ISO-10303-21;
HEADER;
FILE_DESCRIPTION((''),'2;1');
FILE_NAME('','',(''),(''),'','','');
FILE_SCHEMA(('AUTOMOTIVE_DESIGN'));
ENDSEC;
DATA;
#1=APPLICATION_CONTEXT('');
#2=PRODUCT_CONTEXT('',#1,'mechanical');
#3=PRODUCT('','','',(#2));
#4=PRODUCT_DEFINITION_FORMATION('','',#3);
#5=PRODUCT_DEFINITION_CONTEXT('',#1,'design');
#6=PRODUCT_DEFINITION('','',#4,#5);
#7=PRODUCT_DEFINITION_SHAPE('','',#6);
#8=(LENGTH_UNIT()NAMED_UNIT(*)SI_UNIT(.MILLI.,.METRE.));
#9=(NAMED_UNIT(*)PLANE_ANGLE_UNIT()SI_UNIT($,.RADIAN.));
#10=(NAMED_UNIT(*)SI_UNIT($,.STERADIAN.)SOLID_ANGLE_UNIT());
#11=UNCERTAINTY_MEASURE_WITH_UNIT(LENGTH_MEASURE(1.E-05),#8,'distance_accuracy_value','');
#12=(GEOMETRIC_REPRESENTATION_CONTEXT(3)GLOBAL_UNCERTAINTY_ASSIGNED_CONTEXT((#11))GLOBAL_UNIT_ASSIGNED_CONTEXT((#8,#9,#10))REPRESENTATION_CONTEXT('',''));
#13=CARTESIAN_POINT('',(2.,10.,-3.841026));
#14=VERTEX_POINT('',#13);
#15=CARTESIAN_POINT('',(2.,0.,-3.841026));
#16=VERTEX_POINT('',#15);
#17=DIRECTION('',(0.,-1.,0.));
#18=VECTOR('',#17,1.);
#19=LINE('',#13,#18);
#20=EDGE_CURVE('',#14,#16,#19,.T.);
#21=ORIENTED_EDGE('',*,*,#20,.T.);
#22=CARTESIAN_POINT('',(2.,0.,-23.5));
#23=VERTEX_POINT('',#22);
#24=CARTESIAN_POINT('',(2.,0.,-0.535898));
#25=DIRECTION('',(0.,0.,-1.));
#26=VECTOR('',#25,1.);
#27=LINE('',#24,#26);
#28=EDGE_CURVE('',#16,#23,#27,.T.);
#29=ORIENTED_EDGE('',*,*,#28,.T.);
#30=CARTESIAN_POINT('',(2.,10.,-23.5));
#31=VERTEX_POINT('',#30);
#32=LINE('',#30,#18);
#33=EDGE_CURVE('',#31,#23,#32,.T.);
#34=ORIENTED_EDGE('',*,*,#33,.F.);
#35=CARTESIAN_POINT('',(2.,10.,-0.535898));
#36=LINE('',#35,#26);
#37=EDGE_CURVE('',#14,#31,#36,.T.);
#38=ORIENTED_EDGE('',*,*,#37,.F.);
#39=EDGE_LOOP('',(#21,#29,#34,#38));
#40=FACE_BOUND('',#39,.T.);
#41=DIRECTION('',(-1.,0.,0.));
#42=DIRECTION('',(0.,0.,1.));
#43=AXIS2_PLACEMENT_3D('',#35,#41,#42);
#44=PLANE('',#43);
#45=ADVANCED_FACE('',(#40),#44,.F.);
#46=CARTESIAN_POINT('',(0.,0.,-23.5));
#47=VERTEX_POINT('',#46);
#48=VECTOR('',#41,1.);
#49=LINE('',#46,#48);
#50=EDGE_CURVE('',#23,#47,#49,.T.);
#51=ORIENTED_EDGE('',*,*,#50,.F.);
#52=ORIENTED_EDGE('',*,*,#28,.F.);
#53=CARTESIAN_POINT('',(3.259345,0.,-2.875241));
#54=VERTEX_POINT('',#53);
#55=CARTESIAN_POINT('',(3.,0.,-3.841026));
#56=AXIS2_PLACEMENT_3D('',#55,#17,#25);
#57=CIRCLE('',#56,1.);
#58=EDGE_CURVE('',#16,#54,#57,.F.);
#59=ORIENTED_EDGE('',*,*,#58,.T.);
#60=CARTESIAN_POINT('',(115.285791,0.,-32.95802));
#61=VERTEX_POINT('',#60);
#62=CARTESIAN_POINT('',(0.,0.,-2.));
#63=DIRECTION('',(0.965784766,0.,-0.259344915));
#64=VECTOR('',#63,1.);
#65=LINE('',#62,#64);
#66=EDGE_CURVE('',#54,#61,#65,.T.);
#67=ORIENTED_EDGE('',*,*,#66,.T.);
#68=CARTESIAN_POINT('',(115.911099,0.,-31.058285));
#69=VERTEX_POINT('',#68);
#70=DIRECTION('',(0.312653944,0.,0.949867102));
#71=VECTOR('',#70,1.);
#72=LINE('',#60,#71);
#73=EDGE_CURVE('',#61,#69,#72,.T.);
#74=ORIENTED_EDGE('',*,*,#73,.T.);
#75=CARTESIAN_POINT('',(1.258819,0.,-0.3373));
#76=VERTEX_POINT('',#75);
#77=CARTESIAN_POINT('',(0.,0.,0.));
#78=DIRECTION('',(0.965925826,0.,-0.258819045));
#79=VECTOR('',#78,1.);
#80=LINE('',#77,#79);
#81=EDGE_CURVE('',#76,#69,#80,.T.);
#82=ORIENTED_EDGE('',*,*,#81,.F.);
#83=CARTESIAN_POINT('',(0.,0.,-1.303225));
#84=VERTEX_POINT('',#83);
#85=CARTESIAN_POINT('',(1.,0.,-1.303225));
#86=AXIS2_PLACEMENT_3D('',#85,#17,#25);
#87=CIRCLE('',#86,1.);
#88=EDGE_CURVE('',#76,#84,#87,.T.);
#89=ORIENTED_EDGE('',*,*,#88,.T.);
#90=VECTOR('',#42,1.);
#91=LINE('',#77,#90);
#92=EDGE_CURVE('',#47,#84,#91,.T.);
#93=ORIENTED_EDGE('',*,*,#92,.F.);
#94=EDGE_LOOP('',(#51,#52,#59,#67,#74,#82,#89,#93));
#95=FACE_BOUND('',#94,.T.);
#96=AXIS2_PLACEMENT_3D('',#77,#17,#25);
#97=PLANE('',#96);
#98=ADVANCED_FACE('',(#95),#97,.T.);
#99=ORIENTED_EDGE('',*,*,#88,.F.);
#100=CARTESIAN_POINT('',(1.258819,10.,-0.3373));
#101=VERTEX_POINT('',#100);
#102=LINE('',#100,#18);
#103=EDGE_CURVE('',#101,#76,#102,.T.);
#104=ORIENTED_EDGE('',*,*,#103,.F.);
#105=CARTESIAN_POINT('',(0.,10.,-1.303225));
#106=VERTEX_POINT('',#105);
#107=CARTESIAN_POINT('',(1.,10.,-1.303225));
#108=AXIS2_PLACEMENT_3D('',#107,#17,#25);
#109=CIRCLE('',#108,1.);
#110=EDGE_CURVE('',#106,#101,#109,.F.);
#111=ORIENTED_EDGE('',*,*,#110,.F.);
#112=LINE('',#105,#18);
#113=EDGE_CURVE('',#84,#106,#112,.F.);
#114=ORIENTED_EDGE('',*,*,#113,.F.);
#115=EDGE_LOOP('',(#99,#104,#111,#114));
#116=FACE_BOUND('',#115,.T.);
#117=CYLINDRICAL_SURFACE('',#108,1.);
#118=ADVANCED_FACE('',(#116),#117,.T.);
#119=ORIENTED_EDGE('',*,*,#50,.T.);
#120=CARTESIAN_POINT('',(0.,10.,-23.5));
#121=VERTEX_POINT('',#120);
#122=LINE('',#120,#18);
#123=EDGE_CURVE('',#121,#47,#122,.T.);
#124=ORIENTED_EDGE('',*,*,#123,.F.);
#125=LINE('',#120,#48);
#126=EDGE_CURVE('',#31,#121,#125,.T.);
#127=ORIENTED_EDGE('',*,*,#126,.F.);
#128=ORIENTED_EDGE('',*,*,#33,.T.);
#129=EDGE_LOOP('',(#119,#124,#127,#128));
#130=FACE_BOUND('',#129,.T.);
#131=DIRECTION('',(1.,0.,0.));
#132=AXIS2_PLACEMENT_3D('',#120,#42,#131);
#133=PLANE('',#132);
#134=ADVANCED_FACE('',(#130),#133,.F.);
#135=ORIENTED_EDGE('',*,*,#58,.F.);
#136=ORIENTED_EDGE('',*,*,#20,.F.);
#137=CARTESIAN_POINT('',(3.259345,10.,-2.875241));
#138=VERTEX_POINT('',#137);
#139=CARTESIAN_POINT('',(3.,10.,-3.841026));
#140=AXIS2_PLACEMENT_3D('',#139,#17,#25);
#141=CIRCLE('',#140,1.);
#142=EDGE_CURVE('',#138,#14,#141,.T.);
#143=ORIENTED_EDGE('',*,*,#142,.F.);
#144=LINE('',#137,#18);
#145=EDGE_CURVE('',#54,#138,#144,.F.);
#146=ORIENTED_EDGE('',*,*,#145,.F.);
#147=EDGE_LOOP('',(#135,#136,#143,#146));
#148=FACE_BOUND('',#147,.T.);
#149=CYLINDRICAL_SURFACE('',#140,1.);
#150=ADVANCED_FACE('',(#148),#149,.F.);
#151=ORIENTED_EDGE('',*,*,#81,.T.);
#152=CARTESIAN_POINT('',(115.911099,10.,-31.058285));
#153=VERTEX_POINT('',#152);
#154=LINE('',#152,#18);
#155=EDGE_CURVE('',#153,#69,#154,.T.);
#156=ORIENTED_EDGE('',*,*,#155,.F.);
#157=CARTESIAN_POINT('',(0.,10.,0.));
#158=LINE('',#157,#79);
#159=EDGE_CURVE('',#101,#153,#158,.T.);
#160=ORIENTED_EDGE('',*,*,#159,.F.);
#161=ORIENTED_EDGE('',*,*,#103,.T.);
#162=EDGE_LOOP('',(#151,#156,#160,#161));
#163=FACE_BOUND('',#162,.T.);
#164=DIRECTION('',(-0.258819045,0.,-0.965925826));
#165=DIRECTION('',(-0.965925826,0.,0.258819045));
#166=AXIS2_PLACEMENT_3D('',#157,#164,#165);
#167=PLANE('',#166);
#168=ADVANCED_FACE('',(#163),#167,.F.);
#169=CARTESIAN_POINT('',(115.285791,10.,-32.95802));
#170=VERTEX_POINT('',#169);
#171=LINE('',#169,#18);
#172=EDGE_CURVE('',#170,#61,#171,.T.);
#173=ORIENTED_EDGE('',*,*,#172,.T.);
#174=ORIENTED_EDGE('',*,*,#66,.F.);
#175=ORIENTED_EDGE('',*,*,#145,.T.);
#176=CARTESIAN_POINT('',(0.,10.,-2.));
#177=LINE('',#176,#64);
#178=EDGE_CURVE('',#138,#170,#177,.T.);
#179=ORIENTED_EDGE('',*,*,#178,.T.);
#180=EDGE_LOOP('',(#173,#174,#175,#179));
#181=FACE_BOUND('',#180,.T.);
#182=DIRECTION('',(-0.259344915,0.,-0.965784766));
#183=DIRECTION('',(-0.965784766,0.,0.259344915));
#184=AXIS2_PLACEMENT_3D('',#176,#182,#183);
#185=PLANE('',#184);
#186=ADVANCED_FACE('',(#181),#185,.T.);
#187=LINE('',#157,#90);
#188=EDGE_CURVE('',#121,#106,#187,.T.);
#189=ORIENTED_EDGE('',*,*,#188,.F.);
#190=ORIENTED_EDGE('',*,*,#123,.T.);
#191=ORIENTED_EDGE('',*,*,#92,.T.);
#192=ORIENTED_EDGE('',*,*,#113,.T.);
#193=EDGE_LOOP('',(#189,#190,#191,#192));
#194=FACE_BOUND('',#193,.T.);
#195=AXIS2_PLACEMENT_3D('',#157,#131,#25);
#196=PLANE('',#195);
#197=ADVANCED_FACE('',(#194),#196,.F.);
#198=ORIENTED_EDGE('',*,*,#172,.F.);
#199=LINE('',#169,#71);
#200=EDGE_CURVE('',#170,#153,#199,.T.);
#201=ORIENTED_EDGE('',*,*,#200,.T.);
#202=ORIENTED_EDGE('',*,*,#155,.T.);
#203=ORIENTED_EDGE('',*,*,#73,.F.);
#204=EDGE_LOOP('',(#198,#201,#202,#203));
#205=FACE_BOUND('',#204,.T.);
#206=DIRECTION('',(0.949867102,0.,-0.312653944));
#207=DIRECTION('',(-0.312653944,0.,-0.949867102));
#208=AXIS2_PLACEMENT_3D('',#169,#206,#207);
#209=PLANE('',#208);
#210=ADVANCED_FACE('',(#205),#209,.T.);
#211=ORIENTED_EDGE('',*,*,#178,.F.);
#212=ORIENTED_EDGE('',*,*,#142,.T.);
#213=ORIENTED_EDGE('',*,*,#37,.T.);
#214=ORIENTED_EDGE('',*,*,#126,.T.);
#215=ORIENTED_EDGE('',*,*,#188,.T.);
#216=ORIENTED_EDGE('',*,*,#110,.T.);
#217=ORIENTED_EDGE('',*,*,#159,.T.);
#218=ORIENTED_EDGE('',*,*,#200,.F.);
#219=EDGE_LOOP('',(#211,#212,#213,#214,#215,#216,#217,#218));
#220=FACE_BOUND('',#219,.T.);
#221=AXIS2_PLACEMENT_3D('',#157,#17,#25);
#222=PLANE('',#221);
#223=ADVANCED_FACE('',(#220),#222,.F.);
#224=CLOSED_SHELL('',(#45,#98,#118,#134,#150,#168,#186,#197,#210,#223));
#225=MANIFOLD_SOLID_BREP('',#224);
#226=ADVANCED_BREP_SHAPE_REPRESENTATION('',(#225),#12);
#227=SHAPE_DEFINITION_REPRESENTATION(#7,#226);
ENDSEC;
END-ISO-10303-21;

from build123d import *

# Parameters (mm, degrees)
BOSS_EXTRUDE1_DEPTH = 10
BOSS_EXTRUDE2_DEPTH = 10
FILLET1_R           = 1


with BuildPart() as part:
    # Sketch1 → Boss-Extrude1 (new body)
    with BuildSketch(Plane(origin=(0, 0, 0), x_dir=(1, 0, 0), z_dir=(0, 1, 0))):
        Polygon((0, 0), (2, 0.535898385), (2, 23.5), (0, 23.5), align=None)
    extrude(amount=BOSS_EXTRUDE1_DEPTH)

    # Sketch3 → Boss-Extrude2 (add)
    with BuildSketch(Plane.XZ):
        Polygon((0, 0), (115.911099155, -31.058285412), (115.285791267, -32.958019616), (0, -2), align=None)
    extrude(amount=-BOSS_EXTRUDE2_DEPTH)

    # Fillet1
    fillet1_edges = [part.edges().sort_by_distance(p)[0] for p in [
        (2, 5, -2.537065657),
        (0, 5, 0),
    ]]
    fillet(fillet1_edges, radius=FILLET1_R)


solid = part.part
